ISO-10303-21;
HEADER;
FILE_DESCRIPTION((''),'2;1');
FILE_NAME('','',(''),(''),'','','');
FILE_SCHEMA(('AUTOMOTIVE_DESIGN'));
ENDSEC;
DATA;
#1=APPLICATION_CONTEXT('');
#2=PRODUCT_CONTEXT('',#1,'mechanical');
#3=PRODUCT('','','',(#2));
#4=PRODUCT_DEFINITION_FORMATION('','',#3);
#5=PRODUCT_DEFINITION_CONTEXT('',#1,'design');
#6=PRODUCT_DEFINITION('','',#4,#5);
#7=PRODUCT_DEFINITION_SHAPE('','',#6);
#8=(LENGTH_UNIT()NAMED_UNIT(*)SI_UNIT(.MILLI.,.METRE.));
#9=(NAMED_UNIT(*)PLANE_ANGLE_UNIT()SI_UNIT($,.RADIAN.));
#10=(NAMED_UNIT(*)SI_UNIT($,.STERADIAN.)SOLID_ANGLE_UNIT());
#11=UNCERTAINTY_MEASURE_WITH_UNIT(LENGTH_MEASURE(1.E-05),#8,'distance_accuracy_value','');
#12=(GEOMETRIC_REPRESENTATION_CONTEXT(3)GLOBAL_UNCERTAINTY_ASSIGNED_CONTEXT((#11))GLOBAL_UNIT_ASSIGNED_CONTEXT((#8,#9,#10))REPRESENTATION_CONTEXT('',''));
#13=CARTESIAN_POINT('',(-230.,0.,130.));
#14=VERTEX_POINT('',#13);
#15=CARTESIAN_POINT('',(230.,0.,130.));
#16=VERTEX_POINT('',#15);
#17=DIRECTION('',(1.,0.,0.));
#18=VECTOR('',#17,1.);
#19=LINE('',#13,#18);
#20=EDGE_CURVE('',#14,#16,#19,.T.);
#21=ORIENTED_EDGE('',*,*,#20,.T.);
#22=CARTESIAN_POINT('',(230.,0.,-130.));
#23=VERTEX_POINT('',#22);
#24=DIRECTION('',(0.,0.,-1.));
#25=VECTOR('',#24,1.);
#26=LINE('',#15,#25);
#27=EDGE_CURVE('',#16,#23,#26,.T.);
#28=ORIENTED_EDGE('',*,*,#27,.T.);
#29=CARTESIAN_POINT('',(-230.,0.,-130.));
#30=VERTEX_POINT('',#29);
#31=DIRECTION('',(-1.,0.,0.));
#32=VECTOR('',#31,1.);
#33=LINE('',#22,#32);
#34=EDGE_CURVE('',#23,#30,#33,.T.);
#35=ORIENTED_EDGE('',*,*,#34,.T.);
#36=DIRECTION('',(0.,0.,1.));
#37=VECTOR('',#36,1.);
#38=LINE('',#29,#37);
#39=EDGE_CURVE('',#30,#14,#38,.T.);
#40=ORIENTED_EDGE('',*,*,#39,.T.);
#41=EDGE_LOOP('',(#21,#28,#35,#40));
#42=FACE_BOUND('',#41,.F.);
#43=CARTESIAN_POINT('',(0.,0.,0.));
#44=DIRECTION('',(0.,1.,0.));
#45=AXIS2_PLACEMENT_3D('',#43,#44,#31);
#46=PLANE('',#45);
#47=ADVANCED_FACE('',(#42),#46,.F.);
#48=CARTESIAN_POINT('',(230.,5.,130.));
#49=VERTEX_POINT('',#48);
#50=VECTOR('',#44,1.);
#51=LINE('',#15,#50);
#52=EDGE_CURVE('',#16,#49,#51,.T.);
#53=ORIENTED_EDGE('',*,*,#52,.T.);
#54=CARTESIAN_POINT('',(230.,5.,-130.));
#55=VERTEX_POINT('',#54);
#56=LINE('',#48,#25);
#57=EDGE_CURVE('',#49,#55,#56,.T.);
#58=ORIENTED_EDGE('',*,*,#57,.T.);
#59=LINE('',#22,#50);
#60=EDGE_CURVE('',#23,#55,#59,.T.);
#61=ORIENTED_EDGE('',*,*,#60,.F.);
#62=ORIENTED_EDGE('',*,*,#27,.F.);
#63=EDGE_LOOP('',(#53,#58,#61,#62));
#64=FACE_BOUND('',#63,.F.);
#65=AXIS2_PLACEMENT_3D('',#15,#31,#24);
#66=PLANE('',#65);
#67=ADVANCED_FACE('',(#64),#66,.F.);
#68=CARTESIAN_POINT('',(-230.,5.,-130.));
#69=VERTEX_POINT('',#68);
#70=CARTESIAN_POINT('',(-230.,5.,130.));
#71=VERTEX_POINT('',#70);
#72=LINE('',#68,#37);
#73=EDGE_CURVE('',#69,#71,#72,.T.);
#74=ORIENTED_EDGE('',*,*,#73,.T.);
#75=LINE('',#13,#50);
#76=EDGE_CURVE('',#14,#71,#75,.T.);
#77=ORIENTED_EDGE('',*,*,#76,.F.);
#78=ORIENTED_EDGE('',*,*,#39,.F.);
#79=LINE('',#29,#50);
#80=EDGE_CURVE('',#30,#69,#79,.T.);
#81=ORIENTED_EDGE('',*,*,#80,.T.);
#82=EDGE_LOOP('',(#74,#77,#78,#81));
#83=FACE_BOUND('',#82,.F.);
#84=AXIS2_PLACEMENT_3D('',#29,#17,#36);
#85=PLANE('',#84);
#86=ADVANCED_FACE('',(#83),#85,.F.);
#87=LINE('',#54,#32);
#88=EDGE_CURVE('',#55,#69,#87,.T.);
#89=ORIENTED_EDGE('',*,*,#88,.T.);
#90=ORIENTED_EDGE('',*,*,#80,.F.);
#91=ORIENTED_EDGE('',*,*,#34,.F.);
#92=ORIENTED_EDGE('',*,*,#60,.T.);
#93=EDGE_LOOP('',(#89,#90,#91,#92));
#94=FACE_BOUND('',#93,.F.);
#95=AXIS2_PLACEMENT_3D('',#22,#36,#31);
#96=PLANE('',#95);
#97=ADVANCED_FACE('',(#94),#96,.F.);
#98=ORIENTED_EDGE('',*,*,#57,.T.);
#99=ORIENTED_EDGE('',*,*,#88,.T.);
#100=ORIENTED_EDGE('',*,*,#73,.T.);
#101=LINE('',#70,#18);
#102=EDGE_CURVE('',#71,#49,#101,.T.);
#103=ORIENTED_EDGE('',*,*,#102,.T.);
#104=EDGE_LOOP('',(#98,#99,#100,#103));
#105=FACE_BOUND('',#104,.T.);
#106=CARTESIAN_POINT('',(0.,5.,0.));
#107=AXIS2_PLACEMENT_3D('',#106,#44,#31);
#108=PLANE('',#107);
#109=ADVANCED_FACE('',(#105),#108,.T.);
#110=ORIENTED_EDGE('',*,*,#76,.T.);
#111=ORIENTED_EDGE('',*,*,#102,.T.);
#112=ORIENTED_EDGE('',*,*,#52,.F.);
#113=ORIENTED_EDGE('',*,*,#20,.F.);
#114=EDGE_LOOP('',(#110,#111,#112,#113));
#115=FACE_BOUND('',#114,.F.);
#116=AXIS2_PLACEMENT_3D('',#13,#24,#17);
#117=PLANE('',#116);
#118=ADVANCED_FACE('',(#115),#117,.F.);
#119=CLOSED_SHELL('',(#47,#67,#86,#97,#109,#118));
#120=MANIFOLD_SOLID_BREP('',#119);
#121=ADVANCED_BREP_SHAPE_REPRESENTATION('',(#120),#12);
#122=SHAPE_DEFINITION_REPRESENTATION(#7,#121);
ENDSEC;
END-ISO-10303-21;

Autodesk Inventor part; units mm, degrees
ref_plane "YZ Plane" through (0, 0, 0) normal (1, 0, 0) x (0, 1, 0)
ref_plane "XZ Plane" through (0, 0, 0) normal (0, 1, 0) x (-1, 0, 0)
ref_plane "XY Plane" through (0, 0, 0) normal (0, 0, 1) x (1, 0, 0)
sketch "Sketch1" plane through (0, 0, 0) normal (0, 1, 0) x (-1, 0, 0)
  line L0 (230, 130) -> (-230, 130)
  line L1 (-230, 130) -> (-230, -130)
  line L2 (-230, -130) -> (230, -130)
  line L3 (230, -130) -> (230, 130)
  line L4 (230, 130) -> (-230, -130) construction
  line L5 (-230, 130) -> (230, -130) construction
  point P0 (0, 0)
  dimension "d0" = 460
  dimension "d1" = 260
extrude "Extrusion1" add sketch "Sketch1" along normal blind 5
equation "\"d0\" = boxw + 2 * pvct"
equation "\"d1\" = boxl + 2 * pvct"
equation "\"d2\" = pvct"
equation "\"solhole\" = 3"
equation "\"solholespacing\" = 16"
equation "\"ssolw\" = 63"
equation "\"bsoll\" = 126"
equation "\"bsolw\" = 91"
equation "\"bsolh\" = 126"
equation "\"tapl\" = 31"
equation "\"tl\" = 32"
equation "\"eloboww\" = 25"
equation "\"pvct\" = 5"
equation "\"boxh\" = 258"
equation "\"supporth\" = 15"
equation "\"play\" = 0.5"
equation "\"psuh\" = 85"
equation "\"arl\" = 102"
equation "\"pcbw\" = 76"
equation "\"pcbh\" = 46"
equation "\"arw\" = 54"
equation "\"pcbl\" = 86"
equation "\"screenl\" = 115"
equation "\"screenw\" = 197"
equation "\"seph\" = 105"
equation "\"diaetapeouter\" = 36"
equation "\"diaload\" = 16"
equation "\"diaphouter\" = 48"
equation "\"diapowerouter\" = 25"
equation "\"dialoadouter\" = 25"
equation "\"diaetape\" = 25"
equation "\"diaph\" = 32"
equation "\"distbubblewater\" = 82"
equation "\"distpumps\" = 75"
equation "\"diapower\" = 16"
equation "\"airoutinner\" = 28"
equation "\"airininner\" = 28"
equation "\"airoutouter\" = 39"
equation "\"pumpouter\" = 25"
equation "\"airinouter\" = 39"
equation "\"waterinner\" = 28"
equation "\"pumpinner\" = 16"
equation "\"waterouter\" = 39"
equation "\"boxw\" = 450"
equation "\"boxl\" = 250"
properties part number "sb_bottom" material "PVC-Piping"
